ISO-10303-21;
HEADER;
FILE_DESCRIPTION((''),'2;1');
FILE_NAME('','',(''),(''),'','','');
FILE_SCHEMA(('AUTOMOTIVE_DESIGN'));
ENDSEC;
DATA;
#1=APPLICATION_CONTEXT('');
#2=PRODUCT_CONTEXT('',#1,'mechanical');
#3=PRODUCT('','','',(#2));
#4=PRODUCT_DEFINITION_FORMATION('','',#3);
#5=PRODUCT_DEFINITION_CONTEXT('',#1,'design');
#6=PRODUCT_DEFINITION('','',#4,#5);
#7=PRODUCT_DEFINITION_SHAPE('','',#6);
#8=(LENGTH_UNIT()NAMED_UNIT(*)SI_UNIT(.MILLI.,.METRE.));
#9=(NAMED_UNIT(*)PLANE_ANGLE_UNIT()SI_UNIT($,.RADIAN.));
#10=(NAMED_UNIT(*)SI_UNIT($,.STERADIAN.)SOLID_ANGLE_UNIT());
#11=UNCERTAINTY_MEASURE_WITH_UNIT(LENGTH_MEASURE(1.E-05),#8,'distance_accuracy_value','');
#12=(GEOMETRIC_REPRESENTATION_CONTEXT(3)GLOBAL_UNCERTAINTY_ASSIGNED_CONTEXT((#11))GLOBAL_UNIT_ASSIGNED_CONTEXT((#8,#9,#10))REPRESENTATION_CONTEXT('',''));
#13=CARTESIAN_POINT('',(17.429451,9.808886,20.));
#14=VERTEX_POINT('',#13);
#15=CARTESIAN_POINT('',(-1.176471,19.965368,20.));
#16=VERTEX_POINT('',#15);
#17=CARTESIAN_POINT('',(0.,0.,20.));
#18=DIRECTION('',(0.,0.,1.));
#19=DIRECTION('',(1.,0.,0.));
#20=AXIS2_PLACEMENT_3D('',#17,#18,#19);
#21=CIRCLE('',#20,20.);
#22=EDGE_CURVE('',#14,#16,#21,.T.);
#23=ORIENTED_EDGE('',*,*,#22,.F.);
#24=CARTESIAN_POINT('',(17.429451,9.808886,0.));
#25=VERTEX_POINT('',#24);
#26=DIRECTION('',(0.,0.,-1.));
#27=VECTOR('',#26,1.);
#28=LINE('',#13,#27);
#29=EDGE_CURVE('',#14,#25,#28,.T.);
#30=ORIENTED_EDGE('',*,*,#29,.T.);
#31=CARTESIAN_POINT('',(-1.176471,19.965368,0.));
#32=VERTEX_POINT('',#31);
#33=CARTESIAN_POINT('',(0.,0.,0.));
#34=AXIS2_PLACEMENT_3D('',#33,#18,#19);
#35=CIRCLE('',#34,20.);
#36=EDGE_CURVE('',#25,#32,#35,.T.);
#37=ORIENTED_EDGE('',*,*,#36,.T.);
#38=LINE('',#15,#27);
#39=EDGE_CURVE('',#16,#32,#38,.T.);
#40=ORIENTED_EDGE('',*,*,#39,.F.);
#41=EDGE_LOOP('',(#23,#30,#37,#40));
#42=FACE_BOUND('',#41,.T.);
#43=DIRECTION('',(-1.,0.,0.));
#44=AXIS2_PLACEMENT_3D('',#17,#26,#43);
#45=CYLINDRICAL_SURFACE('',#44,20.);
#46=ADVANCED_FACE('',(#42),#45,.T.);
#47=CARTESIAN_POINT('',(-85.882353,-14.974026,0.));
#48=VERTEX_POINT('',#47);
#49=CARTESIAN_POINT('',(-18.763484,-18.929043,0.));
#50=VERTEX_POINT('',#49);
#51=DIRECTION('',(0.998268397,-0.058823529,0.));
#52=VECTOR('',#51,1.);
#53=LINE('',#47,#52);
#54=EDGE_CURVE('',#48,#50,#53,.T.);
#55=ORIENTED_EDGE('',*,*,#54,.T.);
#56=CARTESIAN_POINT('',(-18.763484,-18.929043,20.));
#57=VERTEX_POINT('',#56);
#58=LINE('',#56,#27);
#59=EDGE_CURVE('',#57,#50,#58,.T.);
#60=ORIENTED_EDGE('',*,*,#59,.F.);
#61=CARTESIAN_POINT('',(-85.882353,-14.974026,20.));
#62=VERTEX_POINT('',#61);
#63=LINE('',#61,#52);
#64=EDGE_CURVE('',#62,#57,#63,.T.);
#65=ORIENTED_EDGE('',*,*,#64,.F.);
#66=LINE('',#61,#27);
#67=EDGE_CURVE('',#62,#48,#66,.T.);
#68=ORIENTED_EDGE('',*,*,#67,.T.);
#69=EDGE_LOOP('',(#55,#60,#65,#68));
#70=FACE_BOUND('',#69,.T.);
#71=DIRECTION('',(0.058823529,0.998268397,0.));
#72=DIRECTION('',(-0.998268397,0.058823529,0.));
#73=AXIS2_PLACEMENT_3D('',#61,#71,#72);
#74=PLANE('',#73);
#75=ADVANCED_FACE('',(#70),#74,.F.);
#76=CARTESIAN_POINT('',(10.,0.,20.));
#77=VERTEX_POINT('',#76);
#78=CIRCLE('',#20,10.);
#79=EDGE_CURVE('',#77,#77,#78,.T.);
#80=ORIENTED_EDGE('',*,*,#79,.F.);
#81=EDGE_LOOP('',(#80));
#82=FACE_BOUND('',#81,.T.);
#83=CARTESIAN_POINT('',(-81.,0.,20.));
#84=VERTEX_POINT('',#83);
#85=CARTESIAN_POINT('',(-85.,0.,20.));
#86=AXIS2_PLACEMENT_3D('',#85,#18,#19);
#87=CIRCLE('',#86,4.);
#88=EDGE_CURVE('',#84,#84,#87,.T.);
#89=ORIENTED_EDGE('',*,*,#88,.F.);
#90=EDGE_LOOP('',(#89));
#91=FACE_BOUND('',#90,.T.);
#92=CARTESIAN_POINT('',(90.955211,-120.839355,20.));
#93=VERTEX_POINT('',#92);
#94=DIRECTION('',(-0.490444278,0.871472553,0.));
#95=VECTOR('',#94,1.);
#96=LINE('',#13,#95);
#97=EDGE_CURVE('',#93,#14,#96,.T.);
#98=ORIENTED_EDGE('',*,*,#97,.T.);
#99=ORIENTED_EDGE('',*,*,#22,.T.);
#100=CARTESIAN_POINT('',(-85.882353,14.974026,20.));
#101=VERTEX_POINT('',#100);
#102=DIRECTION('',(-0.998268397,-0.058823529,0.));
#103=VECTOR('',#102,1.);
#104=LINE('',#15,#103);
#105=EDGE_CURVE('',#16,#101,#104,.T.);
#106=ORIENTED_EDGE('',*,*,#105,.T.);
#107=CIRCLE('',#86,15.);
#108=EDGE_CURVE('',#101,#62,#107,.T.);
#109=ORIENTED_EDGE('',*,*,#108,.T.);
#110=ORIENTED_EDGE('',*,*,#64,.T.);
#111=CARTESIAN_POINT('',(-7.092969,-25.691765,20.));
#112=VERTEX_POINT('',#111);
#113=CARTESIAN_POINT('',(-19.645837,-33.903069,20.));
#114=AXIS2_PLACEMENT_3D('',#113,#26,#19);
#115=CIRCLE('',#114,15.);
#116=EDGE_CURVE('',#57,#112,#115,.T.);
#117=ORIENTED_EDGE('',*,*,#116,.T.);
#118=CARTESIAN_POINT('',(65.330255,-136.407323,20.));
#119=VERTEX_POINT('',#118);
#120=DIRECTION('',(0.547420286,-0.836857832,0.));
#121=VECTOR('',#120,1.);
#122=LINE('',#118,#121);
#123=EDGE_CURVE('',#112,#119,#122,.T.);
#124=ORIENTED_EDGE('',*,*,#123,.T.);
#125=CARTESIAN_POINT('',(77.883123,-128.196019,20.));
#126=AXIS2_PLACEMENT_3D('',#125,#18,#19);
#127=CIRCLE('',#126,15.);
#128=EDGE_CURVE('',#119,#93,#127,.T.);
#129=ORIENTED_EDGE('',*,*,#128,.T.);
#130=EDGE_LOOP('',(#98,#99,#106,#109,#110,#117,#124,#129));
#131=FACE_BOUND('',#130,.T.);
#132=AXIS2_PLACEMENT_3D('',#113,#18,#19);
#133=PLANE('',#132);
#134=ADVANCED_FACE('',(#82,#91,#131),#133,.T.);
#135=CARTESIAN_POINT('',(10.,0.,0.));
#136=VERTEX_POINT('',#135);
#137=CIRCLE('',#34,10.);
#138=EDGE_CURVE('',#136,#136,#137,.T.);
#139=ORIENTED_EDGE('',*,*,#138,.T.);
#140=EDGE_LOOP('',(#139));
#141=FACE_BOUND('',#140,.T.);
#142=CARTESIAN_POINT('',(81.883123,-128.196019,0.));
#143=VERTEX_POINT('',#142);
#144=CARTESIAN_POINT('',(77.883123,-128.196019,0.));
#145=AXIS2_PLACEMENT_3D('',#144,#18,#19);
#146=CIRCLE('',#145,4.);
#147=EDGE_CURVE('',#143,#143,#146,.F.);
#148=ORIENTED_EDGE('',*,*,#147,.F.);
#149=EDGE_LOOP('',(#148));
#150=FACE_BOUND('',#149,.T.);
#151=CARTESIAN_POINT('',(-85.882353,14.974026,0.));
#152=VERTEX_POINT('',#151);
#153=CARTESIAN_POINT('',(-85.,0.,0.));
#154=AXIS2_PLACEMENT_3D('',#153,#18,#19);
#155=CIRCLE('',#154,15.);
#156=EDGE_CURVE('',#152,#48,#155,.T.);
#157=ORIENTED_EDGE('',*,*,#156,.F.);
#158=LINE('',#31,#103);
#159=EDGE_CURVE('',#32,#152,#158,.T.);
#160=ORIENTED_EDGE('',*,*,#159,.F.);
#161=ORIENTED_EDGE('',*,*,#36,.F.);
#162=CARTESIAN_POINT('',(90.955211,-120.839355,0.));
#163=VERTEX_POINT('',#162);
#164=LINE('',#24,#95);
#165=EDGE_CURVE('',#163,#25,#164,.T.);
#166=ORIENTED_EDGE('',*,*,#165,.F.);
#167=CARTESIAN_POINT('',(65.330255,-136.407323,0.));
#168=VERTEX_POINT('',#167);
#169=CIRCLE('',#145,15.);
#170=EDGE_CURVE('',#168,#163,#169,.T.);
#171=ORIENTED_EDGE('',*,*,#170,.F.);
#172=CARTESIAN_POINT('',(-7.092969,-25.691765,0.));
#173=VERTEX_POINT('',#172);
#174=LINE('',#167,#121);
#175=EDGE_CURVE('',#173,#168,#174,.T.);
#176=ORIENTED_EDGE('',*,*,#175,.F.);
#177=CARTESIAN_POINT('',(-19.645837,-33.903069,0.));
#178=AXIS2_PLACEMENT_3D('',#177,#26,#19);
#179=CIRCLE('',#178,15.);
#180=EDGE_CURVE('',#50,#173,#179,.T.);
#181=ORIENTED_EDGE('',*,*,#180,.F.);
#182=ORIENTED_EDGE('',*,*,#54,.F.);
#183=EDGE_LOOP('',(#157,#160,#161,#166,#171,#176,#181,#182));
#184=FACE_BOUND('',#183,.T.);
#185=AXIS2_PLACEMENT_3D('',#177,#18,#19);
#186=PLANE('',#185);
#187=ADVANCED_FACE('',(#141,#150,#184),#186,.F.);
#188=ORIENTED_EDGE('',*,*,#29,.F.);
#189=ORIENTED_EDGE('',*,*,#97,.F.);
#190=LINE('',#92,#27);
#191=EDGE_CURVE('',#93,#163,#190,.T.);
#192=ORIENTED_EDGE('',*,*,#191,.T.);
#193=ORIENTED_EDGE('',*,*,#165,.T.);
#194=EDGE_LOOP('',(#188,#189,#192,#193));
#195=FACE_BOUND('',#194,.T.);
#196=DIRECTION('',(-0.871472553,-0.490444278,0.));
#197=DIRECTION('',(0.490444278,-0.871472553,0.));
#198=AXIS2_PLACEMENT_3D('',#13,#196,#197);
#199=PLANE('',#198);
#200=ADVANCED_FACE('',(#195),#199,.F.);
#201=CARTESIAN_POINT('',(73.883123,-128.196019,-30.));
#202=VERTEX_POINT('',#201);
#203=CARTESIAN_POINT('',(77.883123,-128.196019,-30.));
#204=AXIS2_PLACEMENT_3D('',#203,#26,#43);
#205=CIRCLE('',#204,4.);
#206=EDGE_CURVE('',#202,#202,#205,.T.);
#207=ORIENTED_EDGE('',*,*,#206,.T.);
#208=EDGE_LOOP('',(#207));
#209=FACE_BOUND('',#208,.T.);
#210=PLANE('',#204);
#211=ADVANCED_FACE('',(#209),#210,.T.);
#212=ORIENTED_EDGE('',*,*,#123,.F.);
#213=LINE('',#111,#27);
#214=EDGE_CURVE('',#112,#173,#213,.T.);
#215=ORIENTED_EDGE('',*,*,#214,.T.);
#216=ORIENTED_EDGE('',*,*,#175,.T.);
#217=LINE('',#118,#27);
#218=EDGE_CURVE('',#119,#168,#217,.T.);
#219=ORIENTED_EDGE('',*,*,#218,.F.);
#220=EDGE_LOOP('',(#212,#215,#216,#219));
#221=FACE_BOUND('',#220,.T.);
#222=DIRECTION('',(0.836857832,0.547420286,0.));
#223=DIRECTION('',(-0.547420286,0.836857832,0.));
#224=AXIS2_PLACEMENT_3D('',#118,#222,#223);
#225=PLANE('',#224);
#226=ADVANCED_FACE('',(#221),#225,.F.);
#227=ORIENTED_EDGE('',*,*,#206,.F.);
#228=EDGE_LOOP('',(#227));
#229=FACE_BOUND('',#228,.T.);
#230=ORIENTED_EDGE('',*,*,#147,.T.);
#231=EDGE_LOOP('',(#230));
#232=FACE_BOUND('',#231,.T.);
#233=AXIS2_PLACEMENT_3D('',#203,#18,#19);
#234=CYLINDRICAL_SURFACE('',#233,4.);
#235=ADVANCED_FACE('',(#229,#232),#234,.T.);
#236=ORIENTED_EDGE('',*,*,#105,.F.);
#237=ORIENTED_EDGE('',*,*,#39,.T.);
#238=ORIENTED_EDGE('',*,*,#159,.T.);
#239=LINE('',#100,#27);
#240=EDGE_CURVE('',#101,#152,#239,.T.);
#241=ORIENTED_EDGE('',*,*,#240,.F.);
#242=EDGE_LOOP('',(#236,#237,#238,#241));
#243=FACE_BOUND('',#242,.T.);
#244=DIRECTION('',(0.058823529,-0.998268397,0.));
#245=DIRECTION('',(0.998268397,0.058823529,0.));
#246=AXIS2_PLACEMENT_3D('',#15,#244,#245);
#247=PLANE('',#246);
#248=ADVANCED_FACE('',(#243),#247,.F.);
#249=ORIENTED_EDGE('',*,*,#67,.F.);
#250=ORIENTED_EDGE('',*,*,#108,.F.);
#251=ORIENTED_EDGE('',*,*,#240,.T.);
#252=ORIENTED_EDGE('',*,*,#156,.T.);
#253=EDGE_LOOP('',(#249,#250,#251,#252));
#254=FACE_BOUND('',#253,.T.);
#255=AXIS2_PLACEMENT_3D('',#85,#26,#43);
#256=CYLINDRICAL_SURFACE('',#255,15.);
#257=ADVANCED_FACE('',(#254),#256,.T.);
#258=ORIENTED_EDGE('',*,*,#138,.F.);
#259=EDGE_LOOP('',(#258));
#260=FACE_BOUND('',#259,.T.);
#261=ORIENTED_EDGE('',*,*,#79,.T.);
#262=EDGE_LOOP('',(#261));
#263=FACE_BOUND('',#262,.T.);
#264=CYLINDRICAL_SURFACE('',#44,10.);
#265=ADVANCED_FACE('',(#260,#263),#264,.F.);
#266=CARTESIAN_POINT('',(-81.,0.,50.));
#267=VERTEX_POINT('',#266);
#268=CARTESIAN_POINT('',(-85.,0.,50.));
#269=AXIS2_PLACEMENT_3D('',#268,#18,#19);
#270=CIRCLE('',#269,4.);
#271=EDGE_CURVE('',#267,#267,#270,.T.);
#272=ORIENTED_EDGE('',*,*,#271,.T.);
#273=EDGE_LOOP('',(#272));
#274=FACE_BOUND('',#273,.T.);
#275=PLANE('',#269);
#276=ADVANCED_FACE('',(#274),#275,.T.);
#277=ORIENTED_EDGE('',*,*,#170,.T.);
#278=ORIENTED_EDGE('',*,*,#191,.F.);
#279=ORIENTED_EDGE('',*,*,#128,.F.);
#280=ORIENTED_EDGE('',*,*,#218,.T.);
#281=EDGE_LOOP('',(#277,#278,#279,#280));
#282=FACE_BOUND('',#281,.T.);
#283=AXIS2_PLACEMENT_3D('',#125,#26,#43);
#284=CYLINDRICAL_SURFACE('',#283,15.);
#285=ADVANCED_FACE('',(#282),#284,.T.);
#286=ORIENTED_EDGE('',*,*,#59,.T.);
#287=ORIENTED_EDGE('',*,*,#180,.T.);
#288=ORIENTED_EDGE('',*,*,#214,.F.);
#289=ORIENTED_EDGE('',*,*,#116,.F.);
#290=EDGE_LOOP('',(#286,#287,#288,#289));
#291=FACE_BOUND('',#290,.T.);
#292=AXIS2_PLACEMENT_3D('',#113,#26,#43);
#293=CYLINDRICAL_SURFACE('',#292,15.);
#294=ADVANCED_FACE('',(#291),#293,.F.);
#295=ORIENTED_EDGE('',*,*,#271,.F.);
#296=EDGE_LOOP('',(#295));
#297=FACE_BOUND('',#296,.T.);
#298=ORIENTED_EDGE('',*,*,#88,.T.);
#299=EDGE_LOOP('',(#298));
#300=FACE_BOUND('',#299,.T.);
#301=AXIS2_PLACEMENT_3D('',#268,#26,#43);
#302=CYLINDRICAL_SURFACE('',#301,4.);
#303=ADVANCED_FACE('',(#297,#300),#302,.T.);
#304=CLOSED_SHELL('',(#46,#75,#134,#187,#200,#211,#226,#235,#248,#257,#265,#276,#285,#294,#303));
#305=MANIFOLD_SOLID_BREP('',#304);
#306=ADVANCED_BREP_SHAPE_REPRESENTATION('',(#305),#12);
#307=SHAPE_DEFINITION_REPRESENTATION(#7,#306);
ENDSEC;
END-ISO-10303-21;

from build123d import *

# Parameters (mm, degrees)
EXTRUDE_1_DEPTH     = 20
SKETCH_2_R          = 10
CUT_EXTRUDE_1_DEPTH = 20
SKETCH_6_R          = 4
EXTRUDE_3_DEPTH     = 30
SKETCH_7_R          = 4
EXTRUDE_4_DEPTH     = 30


with BuildPart() as part:
    # 草图1 → 凸台-拉伸1 (new body)
    with BuildSketch(Plane.XY):
        with BuildLine():
            Line((-1.176470588, 19.965367939), (-85.882352941, 14.974025955))
            ThreePointArc((-85.882352941, 14.974025955), (-100, 0), (-85.882352941, -14.974025955))
            Line((-85.882352941, -14.974025955), (-18.763483586, -18.92904326))
            ThreePointArc((-18.763483586, -18.92904326), (-12.125205702, -20.924621234), (-7.09296905, -25.691764928))
            Line((-7.09296905, -25.691764928), (65.330255198, -136.407322955))
            ThreePointArc((65.330255198, -136.407322955), (85.671434943, -141.015620535), (90.955210971, -120.839354505))
            Line((90.955210971, -120.839354505), (17.42945106, 9.80888555))
            ThreePointArc((17.42945106, 9.80888555), (9.582712413, 17.554817653), (-1.176470588, 19.965367939))
        make_face()
    extrude(amount=EXTRUDE_1_DEPTH)

    # 草图2 → 切除-拉伸1 (cut)
    with BuildSketch(Plane.XY):
        Circle(SKETCH_2_R)
    extrude(amount=CUT_EXTRUDE_1_DEPTH, mode=Mode.SUBTRACT)

    # 草图6 → 凸台-拉伸3 (add)
    with BuildSketch(Plane.XY.offset(20)):
        with Locations((-85, 0)):
            Circle(SKETCH_6_R)
    extrude(amount=EXTRUDE_3_DEPTH)

    # 草图7 → 凸台-拉伸4 (add)
    with BuildSketch(Plane(origin=(0, 0, 0), x_dir=(-1, 0, 0), z_dir=(0, 0, -1))):
        with Locations(Location((-77.883122675, -128.196018668, 0), (0, 0, 180))):
            Circle(SKETCH_7_R)
    extrude(amount=EXTRUDE_4_DEPTH)


solid = part.part
